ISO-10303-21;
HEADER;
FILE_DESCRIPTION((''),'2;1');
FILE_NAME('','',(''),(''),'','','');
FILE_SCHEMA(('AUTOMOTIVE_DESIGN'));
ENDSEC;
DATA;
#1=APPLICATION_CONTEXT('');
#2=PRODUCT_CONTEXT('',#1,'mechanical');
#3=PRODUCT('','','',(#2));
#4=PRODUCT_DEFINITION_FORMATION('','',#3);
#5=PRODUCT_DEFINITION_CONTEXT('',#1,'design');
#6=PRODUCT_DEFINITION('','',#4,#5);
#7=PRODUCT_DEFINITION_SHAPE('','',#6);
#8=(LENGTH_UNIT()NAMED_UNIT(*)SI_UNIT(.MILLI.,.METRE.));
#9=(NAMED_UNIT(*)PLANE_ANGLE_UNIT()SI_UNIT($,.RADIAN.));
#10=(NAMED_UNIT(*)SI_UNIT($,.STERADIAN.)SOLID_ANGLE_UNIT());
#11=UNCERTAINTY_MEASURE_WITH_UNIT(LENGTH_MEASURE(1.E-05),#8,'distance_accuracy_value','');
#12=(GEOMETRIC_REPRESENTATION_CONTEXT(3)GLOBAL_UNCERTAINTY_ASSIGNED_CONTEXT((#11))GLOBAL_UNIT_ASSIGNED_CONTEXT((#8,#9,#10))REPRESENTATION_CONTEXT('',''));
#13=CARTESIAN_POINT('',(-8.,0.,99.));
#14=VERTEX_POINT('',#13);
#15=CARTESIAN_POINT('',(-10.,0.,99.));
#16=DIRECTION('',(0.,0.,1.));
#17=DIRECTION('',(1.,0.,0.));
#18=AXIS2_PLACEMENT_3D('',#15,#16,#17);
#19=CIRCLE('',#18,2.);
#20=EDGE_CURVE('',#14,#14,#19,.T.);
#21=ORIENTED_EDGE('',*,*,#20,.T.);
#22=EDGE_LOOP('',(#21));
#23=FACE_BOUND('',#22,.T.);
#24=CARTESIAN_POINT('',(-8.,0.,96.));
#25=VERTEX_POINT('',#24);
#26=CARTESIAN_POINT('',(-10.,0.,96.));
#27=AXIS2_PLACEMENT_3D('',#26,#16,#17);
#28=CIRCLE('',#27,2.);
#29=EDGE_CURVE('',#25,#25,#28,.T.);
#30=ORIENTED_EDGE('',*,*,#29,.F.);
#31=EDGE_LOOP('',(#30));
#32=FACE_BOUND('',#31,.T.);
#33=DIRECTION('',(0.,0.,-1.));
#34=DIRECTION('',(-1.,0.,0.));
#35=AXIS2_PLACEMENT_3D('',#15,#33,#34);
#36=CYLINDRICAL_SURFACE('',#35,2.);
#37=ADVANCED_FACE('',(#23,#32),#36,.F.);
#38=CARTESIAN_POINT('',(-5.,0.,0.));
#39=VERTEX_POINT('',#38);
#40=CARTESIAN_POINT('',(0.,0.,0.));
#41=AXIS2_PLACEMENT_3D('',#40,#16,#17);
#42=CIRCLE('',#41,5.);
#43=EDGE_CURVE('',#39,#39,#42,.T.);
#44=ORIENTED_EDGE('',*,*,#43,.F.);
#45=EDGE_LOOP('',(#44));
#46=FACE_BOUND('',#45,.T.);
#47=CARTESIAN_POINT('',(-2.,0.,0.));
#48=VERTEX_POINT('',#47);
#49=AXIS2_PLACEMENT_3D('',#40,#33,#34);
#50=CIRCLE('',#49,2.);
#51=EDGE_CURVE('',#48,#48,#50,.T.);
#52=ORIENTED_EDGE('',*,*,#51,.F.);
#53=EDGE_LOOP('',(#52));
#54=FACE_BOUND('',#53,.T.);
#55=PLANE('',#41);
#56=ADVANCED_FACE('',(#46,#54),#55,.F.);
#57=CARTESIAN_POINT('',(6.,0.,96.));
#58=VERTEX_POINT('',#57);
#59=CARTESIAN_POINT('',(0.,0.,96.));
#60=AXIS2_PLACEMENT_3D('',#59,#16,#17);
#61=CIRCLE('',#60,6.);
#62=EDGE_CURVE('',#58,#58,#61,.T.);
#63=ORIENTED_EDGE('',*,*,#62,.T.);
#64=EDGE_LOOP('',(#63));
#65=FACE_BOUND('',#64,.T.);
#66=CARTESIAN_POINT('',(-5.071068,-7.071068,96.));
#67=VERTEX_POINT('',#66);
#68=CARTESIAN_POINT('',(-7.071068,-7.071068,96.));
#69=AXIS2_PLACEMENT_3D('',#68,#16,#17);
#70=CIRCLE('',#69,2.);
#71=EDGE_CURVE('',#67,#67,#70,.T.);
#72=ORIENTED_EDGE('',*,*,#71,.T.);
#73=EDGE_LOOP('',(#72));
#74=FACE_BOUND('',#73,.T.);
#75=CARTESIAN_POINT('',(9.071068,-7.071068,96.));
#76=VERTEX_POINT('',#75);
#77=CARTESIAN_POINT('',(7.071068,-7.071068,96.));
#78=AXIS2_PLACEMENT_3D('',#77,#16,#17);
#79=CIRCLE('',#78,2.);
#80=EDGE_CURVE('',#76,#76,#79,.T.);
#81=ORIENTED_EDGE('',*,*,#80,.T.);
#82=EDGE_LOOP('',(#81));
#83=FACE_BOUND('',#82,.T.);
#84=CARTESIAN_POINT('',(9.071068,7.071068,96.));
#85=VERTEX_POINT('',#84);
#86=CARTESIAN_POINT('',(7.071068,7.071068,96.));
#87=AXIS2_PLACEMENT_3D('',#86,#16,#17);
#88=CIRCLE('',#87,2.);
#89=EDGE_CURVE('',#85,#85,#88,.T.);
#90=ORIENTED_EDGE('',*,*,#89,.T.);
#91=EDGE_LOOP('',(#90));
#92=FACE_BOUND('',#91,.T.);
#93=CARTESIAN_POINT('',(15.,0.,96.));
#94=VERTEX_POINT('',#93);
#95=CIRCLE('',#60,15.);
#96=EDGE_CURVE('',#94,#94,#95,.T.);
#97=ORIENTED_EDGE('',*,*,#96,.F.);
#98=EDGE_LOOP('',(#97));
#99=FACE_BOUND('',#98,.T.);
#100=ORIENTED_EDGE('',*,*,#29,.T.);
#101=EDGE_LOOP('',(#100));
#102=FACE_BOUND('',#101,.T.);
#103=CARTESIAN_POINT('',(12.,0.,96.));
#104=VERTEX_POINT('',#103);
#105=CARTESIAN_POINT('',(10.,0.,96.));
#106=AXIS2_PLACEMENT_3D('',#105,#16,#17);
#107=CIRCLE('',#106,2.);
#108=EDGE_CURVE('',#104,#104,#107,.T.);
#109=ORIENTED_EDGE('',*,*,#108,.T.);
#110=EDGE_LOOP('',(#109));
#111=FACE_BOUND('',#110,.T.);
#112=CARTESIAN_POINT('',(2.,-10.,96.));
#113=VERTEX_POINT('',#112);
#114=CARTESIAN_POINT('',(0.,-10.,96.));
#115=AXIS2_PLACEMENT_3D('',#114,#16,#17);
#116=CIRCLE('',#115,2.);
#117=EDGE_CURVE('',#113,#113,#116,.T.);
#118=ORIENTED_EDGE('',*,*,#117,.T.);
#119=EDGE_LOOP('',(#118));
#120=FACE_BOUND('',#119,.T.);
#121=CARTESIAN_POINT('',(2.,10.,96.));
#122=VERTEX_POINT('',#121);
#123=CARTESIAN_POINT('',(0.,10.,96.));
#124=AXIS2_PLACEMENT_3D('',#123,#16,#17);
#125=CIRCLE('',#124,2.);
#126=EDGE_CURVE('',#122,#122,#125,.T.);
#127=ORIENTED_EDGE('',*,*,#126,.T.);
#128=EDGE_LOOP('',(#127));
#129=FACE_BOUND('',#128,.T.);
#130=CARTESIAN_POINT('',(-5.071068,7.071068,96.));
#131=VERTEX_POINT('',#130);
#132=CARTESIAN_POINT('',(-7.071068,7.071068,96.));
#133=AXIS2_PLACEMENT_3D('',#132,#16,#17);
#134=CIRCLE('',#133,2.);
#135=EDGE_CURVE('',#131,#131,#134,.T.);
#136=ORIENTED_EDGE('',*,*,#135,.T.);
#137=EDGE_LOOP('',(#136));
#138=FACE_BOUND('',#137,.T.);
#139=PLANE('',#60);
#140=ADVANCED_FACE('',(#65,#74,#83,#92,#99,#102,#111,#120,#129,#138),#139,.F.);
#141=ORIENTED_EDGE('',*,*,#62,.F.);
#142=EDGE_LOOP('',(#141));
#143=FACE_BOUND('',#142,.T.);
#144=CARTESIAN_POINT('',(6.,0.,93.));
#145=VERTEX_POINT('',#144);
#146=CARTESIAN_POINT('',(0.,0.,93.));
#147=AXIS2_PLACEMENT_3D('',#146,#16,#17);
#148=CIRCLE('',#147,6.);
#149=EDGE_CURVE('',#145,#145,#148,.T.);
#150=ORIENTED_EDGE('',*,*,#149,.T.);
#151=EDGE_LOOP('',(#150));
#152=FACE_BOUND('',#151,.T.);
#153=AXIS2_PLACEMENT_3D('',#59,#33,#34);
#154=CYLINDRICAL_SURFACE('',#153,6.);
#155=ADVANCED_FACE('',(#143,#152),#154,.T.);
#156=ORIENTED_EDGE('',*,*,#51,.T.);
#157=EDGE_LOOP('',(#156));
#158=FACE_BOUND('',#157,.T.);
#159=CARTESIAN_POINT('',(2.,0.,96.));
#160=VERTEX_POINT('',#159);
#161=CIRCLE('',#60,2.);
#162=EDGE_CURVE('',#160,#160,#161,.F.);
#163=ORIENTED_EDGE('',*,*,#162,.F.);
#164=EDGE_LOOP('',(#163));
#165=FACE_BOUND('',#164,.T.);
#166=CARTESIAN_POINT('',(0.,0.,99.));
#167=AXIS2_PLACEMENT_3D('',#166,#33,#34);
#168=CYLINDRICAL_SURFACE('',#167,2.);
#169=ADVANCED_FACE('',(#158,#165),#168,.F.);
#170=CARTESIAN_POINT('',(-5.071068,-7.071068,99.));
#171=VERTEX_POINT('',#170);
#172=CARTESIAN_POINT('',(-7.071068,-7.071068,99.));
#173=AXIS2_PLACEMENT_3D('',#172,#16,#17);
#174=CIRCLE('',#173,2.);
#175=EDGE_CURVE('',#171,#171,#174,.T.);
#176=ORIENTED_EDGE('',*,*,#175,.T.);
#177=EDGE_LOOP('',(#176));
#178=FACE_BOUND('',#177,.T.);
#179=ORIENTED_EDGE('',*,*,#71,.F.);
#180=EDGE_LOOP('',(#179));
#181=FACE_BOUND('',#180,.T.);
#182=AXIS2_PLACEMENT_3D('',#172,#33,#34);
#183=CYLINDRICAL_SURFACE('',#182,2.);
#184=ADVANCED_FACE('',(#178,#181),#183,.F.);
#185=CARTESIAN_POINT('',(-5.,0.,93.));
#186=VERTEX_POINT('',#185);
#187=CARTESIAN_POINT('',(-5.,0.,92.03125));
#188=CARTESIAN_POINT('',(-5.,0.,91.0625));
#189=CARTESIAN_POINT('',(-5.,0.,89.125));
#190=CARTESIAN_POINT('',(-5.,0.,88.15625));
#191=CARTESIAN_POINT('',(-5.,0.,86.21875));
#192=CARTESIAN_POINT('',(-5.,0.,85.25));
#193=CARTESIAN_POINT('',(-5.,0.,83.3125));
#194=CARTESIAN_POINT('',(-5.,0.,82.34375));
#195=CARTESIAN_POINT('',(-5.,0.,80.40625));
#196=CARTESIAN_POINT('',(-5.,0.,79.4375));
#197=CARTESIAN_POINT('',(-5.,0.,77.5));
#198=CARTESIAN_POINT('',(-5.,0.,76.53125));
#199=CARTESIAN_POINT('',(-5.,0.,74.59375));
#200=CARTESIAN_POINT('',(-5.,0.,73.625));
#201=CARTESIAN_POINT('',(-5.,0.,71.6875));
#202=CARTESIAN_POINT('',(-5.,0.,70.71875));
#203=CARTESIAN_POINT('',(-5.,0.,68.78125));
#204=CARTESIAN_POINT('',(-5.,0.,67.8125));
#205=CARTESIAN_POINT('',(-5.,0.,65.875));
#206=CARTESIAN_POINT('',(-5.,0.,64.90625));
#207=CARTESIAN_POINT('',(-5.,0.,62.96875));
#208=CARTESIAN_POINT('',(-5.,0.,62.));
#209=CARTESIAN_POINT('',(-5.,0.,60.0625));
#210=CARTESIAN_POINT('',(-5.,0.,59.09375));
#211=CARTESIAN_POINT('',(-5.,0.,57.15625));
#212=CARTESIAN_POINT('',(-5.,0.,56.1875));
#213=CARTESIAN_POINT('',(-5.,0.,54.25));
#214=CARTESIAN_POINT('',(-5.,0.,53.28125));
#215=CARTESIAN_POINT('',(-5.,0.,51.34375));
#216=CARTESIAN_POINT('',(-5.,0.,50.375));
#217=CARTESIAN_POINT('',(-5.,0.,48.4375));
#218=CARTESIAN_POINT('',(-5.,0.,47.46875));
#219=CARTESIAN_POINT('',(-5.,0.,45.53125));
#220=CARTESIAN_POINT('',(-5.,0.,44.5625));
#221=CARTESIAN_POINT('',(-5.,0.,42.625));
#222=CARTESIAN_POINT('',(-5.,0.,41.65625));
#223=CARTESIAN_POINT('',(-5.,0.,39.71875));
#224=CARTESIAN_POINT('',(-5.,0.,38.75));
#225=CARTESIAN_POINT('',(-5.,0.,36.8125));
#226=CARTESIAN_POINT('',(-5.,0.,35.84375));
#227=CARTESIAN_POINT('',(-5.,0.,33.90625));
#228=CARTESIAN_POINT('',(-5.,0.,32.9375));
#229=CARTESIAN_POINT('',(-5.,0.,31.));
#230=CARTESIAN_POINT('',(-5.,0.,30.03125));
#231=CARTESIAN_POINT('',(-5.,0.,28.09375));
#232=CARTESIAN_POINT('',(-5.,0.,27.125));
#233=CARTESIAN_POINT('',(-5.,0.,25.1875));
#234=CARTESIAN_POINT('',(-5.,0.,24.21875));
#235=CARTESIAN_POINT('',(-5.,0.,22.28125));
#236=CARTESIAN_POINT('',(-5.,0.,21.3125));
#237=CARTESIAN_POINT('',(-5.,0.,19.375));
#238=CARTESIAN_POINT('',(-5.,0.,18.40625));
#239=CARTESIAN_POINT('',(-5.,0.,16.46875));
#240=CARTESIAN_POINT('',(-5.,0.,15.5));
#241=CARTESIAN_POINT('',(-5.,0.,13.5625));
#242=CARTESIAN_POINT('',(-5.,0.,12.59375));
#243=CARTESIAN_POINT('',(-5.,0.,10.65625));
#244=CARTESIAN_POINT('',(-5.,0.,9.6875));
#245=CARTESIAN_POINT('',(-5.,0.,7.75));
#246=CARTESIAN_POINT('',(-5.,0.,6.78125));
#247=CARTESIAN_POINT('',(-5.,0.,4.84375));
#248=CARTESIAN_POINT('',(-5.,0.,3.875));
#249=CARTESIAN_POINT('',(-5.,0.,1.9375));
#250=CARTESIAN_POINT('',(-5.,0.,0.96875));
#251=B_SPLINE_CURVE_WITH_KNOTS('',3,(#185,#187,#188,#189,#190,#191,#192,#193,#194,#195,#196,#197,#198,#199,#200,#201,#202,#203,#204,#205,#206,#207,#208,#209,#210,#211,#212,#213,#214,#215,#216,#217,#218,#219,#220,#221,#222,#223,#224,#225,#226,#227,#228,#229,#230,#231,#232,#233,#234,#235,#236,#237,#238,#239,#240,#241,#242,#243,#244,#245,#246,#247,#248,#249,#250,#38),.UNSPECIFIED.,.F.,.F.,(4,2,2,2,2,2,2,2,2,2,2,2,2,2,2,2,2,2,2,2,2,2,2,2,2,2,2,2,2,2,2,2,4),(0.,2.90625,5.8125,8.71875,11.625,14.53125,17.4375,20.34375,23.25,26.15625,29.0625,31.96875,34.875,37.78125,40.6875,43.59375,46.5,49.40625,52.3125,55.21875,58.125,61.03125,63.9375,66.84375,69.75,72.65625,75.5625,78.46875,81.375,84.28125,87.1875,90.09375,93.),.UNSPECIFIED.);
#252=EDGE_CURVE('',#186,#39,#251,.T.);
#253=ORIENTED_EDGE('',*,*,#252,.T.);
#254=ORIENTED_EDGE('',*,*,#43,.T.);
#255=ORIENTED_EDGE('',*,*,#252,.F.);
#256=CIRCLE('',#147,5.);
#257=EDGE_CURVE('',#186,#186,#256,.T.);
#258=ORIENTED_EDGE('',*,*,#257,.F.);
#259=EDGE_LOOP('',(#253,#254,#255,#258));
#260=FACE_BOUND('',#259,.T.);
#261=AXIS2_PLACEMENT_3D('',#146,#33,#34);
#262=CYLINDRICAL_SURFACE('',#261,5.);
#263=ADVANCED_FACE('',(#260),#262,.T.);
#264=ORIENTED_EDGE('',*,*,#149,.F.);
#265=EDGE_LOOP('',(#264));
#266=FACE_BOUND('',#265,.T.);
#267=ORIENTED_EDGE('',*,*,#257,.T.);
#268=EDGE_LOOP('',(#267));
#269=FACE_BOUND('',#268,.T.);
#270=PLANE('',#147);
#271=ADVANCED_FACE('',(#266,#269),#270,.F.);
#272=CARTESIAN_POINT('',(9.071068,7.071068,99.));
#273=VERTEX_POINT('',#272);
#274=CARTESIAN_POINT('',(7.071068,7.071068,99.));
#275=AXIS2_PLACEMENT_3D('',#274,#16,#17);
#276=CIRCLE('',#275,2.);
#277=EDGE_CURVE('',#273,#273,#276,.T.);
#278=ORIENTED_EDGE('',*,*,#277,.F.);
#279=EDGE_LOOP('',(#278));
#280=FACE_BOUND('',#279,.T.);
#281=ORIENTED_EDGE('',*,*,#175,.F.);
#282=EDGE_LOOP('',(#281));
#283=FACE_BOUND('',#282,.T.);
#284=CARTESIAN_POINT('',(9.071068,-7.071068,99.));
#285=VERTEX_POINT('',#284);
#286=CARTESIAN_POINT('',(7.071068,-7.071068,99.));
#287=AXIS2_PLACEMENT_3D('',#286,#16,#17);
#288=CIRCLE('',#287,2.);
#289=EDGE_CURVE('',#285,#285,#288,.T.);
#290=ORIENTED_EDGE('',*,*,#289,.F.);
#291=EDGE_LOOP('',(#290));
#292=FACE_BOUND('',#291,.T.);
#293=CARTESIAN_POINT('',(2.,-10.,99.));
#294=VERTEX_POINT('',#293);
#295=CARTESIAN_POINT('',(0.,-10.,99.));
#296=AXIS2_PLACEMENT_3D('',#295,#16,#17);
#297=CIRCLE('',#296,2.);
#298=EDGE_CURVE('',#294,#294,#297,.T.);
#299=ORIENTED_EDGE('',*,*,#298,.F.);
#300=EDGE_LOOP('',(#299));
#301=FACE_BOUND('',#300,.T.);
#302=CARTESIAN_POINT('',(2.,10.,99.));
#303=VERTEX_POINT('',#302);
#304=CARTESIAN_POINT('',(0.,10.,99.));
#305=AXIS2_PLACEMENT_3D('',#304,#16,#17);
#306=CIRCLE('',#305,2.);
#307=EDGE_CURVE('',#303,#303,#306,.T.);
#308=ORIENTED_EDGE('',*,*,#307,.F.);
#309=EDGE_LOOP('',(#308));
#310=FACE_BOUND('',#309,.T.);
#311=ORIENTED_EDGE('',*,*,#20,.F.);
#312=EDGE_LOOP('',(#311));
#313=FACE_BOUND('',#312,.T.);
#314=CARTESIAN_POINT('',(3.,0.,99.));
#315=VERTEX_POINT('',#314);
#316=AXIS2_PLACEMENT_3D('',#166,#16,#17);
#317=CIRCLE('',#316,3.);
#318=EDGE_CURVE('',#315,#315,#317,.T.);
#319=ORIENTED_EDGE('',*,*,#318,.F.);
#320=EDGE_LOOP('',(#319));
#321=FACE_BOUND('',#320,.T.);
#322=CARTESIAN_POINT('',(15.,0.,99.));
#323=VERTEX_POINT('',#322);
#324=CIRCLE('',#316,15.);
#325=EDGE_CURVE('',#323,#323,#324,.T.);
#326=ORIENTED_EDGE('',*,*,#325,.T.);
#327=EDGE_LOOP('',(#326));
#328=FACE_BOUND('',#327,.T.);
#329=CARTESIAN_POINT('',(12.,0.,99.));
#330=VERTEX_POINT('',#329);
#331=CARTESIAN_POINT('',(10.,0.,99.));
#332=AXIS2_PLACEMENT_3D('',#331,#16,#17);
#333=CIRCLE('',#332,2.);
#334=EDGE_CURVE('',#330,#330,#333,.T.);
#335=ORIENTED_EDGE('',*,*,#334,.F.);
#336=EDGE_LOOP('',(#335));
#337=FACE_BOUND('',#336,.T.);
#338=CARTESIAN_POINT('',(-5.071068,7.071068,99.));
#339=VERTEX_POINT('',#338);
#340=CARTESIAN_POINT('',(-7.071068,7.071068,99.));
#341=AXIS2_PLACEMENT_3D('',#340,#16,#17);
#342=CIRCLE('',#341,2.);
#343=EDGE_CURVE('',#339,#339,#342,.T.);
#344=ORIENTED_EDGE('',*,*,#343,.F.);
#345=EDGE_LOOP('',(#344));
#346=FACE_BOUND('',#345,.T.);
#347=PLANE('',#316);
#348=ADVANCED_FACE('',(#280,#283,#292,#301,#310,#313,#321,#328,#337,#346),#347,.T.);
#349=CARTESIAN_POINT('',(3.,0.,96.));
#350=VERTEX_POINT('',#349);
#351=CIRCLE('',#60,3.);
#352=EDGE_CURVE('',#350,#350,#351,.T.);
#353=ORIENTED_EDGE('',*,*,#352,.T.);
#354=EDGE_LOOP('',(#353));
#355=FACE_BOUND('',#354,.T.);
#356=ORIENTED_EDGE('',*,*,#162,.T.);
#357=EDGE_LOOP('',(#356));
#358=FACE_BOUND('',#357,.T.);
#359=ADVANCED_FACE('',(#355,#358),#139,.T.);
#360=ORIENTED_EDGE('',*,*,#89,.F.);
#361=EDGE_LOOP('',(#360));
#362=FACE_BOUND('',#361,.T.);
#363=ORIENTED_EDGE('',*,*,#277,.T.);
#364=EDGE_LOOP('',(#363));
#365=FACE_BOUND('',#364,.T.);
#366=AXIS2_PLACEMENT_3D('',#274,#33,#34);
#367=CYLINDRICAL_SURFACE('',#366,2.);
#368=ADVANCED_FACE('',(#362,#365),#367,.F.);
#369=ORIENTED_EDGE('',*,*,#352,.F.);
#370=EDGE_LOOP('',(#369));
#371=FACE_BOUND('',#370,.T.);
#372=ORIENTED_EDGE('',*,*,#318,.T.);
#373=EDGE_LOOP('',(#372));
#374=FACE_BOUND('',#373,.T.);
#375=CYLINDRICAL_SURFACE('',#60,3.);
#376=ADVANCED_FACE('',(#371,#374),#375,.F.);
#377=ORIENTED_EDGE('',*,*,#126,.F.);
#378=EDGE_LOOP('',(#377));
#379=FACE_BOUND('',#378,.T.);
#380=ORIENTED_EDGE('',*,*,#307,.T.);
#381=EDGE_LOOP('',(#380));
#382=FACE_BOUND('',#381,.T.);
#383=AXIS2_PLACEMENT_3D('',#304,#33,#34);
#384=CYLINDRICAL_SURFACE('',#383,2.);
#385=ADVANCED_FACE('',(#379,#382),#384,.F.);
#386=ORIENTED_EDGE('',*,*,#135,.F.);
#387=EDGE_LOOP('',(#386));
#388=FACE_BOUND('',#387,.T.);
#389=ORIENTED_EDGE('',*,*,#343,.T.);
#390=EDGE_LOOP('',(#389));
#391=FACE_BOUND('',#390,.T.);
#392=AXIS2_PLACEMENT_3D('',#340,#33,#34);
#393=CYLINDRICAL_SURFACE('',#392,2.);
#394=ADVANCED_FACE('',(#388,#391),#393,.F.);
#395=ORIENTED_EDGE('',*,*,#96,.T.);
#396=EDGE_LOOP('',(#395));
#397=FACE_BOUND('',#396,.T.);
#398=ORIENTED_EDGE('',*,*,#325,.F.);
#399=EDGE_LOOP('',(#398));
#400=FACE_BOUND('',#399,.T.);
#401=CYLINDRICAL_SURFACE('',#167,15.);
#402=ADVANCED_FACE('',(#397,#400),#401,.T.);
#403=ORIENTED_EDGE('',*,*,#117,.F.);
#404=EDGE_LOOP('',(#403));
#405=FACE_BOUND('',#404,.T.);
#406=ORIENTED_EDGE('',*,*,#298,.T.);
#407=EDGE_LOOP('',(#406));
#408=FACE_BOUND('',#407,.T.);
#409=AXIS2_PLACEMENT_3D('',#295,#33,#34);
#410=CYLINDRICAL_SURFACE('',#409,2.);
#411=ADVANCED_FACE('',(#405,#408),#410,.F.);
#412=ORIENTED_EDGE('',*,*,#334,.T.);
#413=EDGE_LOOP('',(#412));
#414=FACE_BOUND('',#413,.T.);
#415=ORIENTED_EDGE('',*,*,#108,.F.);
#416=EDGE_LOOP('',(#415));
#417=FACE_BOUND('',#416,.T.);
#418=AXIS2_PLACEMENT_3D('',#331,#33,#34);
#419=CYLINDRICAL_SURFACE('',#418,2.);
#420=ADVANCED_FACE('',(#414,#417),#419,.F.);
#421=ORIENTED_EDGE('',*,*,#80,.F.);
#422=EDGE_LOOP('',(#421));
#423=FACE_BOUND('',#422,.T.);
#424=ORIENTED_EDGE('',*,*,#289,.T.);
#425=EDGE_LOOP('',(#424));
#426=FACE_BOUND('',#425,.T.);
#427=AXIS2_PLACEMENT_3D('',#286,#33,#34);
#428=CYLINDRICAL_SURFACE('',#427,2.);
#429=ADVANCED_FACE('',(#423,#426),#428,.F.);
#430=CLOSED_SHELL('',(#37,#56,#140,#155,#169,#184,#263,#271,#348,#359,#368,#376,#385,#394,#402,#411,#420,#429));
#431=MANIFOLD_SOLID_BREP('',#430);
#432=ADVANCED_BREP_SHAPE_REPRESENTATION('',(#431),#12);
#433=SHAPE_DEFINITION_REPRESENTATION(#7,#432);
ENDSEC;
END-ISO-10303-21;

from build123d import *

# Parameters (mm, degrees)
SKETCH_1_R          = 5
EXTRUDE_1_DEPTH     = 93
SKETCH_2_R          = 6
EXTRUDE_2_DEPTH     = 3
SKETCH_3_R          = 15
SKETCH_3_R_2        = 2
EXTRUDE_3_DEPTH     = 3
SKETCH_6_R          = 2
CUT_EXTRUDE_3_DEPTH = 102.247222184
SKETCH_7_R          = 3
CUT_EXTRUDE_4_DEPTH = 3


with BuildPart() as part:
    # 草图1 → 凸台-拉伸1 (new body)
    with BuildSketch(Plane.XY):
        with Locations(Location((0, 0, 0), (0, 0, 180))):
            Circle(SKETCH_1_R)
    extrude(amount=EXTRUDE_1_DEPTH)

    # 草图2 → 凸台-拉伸2 (add)
    with BuildSketch(Plane.XY.offset(93)):
        Circle(SKETCH_2_R)
    extrude(amount=EXTRUDE_2_DEPTH)

    # 草图3 → 凸台-拉伸3 (add)
    with BuildSketch(Plane.XY.offset(96)):
        Circle(SKETCH_3_R)
        with Locations((0, 10)):
            Circle(SKETCH_3_R_2, mode=Mode.SUBTRACT)
        with Locations((10, 0)):
            Circle(SKETCH_3_R_2, mode=Mode.SUBTRACT)
        with Locations((0, -10)):
            Circle(SKETCH_3_R_2, mode=Mode.SUBTRACT)
        with Locations((-10, 0)):
            Circle(SKETCH_3_R_2, mode=Mode.SUBTRACT)
        with Locations((7.071067812, 7.071067812)):
            Circle(SKETCH_3_R_2, mode=Mode.SUBTRACT)
        with Locations((7.071067812, -7.071067812)):
            Circle(SKETCH_3_R_2, mode=Mode.SUBTRACT)
        with Locations((-7.071067812, -7.071067812)):
            Circle(SKETCH_3_R_2, mode=Mode.SUBTRACT)
        with Locations((-7.071067812, 7.071067812)):
            Circle(SKETCH_3_R_2, mode=Mode.SUBTRACT)
    extrude(amount=EXTRUDE_3_DEPTH)

    # 草图6 → 切除-拉伸3 (cut, through all)
    with BuildSketch(Plane(origin=(0, 0, 0), x_dir=(-1, 0, 0), z_dir=(0, 0, -1))):
        Circle(SKETCH_6_R)
    extrude(amount=-CUT_EXTRUDE_3_DEPTH, mode=Mode.SUBTRACT)

    # 草图7 → 切除-拉伸4 (cut)
    with BuildSketch(Plane.XY.offset(99)):
        Circle(SKETCH_7_R)
    extrude(amount=-CUT_EXTRUDE_4_DEPTH, mode=Mode.SUBTRACT)


solid = part.part
